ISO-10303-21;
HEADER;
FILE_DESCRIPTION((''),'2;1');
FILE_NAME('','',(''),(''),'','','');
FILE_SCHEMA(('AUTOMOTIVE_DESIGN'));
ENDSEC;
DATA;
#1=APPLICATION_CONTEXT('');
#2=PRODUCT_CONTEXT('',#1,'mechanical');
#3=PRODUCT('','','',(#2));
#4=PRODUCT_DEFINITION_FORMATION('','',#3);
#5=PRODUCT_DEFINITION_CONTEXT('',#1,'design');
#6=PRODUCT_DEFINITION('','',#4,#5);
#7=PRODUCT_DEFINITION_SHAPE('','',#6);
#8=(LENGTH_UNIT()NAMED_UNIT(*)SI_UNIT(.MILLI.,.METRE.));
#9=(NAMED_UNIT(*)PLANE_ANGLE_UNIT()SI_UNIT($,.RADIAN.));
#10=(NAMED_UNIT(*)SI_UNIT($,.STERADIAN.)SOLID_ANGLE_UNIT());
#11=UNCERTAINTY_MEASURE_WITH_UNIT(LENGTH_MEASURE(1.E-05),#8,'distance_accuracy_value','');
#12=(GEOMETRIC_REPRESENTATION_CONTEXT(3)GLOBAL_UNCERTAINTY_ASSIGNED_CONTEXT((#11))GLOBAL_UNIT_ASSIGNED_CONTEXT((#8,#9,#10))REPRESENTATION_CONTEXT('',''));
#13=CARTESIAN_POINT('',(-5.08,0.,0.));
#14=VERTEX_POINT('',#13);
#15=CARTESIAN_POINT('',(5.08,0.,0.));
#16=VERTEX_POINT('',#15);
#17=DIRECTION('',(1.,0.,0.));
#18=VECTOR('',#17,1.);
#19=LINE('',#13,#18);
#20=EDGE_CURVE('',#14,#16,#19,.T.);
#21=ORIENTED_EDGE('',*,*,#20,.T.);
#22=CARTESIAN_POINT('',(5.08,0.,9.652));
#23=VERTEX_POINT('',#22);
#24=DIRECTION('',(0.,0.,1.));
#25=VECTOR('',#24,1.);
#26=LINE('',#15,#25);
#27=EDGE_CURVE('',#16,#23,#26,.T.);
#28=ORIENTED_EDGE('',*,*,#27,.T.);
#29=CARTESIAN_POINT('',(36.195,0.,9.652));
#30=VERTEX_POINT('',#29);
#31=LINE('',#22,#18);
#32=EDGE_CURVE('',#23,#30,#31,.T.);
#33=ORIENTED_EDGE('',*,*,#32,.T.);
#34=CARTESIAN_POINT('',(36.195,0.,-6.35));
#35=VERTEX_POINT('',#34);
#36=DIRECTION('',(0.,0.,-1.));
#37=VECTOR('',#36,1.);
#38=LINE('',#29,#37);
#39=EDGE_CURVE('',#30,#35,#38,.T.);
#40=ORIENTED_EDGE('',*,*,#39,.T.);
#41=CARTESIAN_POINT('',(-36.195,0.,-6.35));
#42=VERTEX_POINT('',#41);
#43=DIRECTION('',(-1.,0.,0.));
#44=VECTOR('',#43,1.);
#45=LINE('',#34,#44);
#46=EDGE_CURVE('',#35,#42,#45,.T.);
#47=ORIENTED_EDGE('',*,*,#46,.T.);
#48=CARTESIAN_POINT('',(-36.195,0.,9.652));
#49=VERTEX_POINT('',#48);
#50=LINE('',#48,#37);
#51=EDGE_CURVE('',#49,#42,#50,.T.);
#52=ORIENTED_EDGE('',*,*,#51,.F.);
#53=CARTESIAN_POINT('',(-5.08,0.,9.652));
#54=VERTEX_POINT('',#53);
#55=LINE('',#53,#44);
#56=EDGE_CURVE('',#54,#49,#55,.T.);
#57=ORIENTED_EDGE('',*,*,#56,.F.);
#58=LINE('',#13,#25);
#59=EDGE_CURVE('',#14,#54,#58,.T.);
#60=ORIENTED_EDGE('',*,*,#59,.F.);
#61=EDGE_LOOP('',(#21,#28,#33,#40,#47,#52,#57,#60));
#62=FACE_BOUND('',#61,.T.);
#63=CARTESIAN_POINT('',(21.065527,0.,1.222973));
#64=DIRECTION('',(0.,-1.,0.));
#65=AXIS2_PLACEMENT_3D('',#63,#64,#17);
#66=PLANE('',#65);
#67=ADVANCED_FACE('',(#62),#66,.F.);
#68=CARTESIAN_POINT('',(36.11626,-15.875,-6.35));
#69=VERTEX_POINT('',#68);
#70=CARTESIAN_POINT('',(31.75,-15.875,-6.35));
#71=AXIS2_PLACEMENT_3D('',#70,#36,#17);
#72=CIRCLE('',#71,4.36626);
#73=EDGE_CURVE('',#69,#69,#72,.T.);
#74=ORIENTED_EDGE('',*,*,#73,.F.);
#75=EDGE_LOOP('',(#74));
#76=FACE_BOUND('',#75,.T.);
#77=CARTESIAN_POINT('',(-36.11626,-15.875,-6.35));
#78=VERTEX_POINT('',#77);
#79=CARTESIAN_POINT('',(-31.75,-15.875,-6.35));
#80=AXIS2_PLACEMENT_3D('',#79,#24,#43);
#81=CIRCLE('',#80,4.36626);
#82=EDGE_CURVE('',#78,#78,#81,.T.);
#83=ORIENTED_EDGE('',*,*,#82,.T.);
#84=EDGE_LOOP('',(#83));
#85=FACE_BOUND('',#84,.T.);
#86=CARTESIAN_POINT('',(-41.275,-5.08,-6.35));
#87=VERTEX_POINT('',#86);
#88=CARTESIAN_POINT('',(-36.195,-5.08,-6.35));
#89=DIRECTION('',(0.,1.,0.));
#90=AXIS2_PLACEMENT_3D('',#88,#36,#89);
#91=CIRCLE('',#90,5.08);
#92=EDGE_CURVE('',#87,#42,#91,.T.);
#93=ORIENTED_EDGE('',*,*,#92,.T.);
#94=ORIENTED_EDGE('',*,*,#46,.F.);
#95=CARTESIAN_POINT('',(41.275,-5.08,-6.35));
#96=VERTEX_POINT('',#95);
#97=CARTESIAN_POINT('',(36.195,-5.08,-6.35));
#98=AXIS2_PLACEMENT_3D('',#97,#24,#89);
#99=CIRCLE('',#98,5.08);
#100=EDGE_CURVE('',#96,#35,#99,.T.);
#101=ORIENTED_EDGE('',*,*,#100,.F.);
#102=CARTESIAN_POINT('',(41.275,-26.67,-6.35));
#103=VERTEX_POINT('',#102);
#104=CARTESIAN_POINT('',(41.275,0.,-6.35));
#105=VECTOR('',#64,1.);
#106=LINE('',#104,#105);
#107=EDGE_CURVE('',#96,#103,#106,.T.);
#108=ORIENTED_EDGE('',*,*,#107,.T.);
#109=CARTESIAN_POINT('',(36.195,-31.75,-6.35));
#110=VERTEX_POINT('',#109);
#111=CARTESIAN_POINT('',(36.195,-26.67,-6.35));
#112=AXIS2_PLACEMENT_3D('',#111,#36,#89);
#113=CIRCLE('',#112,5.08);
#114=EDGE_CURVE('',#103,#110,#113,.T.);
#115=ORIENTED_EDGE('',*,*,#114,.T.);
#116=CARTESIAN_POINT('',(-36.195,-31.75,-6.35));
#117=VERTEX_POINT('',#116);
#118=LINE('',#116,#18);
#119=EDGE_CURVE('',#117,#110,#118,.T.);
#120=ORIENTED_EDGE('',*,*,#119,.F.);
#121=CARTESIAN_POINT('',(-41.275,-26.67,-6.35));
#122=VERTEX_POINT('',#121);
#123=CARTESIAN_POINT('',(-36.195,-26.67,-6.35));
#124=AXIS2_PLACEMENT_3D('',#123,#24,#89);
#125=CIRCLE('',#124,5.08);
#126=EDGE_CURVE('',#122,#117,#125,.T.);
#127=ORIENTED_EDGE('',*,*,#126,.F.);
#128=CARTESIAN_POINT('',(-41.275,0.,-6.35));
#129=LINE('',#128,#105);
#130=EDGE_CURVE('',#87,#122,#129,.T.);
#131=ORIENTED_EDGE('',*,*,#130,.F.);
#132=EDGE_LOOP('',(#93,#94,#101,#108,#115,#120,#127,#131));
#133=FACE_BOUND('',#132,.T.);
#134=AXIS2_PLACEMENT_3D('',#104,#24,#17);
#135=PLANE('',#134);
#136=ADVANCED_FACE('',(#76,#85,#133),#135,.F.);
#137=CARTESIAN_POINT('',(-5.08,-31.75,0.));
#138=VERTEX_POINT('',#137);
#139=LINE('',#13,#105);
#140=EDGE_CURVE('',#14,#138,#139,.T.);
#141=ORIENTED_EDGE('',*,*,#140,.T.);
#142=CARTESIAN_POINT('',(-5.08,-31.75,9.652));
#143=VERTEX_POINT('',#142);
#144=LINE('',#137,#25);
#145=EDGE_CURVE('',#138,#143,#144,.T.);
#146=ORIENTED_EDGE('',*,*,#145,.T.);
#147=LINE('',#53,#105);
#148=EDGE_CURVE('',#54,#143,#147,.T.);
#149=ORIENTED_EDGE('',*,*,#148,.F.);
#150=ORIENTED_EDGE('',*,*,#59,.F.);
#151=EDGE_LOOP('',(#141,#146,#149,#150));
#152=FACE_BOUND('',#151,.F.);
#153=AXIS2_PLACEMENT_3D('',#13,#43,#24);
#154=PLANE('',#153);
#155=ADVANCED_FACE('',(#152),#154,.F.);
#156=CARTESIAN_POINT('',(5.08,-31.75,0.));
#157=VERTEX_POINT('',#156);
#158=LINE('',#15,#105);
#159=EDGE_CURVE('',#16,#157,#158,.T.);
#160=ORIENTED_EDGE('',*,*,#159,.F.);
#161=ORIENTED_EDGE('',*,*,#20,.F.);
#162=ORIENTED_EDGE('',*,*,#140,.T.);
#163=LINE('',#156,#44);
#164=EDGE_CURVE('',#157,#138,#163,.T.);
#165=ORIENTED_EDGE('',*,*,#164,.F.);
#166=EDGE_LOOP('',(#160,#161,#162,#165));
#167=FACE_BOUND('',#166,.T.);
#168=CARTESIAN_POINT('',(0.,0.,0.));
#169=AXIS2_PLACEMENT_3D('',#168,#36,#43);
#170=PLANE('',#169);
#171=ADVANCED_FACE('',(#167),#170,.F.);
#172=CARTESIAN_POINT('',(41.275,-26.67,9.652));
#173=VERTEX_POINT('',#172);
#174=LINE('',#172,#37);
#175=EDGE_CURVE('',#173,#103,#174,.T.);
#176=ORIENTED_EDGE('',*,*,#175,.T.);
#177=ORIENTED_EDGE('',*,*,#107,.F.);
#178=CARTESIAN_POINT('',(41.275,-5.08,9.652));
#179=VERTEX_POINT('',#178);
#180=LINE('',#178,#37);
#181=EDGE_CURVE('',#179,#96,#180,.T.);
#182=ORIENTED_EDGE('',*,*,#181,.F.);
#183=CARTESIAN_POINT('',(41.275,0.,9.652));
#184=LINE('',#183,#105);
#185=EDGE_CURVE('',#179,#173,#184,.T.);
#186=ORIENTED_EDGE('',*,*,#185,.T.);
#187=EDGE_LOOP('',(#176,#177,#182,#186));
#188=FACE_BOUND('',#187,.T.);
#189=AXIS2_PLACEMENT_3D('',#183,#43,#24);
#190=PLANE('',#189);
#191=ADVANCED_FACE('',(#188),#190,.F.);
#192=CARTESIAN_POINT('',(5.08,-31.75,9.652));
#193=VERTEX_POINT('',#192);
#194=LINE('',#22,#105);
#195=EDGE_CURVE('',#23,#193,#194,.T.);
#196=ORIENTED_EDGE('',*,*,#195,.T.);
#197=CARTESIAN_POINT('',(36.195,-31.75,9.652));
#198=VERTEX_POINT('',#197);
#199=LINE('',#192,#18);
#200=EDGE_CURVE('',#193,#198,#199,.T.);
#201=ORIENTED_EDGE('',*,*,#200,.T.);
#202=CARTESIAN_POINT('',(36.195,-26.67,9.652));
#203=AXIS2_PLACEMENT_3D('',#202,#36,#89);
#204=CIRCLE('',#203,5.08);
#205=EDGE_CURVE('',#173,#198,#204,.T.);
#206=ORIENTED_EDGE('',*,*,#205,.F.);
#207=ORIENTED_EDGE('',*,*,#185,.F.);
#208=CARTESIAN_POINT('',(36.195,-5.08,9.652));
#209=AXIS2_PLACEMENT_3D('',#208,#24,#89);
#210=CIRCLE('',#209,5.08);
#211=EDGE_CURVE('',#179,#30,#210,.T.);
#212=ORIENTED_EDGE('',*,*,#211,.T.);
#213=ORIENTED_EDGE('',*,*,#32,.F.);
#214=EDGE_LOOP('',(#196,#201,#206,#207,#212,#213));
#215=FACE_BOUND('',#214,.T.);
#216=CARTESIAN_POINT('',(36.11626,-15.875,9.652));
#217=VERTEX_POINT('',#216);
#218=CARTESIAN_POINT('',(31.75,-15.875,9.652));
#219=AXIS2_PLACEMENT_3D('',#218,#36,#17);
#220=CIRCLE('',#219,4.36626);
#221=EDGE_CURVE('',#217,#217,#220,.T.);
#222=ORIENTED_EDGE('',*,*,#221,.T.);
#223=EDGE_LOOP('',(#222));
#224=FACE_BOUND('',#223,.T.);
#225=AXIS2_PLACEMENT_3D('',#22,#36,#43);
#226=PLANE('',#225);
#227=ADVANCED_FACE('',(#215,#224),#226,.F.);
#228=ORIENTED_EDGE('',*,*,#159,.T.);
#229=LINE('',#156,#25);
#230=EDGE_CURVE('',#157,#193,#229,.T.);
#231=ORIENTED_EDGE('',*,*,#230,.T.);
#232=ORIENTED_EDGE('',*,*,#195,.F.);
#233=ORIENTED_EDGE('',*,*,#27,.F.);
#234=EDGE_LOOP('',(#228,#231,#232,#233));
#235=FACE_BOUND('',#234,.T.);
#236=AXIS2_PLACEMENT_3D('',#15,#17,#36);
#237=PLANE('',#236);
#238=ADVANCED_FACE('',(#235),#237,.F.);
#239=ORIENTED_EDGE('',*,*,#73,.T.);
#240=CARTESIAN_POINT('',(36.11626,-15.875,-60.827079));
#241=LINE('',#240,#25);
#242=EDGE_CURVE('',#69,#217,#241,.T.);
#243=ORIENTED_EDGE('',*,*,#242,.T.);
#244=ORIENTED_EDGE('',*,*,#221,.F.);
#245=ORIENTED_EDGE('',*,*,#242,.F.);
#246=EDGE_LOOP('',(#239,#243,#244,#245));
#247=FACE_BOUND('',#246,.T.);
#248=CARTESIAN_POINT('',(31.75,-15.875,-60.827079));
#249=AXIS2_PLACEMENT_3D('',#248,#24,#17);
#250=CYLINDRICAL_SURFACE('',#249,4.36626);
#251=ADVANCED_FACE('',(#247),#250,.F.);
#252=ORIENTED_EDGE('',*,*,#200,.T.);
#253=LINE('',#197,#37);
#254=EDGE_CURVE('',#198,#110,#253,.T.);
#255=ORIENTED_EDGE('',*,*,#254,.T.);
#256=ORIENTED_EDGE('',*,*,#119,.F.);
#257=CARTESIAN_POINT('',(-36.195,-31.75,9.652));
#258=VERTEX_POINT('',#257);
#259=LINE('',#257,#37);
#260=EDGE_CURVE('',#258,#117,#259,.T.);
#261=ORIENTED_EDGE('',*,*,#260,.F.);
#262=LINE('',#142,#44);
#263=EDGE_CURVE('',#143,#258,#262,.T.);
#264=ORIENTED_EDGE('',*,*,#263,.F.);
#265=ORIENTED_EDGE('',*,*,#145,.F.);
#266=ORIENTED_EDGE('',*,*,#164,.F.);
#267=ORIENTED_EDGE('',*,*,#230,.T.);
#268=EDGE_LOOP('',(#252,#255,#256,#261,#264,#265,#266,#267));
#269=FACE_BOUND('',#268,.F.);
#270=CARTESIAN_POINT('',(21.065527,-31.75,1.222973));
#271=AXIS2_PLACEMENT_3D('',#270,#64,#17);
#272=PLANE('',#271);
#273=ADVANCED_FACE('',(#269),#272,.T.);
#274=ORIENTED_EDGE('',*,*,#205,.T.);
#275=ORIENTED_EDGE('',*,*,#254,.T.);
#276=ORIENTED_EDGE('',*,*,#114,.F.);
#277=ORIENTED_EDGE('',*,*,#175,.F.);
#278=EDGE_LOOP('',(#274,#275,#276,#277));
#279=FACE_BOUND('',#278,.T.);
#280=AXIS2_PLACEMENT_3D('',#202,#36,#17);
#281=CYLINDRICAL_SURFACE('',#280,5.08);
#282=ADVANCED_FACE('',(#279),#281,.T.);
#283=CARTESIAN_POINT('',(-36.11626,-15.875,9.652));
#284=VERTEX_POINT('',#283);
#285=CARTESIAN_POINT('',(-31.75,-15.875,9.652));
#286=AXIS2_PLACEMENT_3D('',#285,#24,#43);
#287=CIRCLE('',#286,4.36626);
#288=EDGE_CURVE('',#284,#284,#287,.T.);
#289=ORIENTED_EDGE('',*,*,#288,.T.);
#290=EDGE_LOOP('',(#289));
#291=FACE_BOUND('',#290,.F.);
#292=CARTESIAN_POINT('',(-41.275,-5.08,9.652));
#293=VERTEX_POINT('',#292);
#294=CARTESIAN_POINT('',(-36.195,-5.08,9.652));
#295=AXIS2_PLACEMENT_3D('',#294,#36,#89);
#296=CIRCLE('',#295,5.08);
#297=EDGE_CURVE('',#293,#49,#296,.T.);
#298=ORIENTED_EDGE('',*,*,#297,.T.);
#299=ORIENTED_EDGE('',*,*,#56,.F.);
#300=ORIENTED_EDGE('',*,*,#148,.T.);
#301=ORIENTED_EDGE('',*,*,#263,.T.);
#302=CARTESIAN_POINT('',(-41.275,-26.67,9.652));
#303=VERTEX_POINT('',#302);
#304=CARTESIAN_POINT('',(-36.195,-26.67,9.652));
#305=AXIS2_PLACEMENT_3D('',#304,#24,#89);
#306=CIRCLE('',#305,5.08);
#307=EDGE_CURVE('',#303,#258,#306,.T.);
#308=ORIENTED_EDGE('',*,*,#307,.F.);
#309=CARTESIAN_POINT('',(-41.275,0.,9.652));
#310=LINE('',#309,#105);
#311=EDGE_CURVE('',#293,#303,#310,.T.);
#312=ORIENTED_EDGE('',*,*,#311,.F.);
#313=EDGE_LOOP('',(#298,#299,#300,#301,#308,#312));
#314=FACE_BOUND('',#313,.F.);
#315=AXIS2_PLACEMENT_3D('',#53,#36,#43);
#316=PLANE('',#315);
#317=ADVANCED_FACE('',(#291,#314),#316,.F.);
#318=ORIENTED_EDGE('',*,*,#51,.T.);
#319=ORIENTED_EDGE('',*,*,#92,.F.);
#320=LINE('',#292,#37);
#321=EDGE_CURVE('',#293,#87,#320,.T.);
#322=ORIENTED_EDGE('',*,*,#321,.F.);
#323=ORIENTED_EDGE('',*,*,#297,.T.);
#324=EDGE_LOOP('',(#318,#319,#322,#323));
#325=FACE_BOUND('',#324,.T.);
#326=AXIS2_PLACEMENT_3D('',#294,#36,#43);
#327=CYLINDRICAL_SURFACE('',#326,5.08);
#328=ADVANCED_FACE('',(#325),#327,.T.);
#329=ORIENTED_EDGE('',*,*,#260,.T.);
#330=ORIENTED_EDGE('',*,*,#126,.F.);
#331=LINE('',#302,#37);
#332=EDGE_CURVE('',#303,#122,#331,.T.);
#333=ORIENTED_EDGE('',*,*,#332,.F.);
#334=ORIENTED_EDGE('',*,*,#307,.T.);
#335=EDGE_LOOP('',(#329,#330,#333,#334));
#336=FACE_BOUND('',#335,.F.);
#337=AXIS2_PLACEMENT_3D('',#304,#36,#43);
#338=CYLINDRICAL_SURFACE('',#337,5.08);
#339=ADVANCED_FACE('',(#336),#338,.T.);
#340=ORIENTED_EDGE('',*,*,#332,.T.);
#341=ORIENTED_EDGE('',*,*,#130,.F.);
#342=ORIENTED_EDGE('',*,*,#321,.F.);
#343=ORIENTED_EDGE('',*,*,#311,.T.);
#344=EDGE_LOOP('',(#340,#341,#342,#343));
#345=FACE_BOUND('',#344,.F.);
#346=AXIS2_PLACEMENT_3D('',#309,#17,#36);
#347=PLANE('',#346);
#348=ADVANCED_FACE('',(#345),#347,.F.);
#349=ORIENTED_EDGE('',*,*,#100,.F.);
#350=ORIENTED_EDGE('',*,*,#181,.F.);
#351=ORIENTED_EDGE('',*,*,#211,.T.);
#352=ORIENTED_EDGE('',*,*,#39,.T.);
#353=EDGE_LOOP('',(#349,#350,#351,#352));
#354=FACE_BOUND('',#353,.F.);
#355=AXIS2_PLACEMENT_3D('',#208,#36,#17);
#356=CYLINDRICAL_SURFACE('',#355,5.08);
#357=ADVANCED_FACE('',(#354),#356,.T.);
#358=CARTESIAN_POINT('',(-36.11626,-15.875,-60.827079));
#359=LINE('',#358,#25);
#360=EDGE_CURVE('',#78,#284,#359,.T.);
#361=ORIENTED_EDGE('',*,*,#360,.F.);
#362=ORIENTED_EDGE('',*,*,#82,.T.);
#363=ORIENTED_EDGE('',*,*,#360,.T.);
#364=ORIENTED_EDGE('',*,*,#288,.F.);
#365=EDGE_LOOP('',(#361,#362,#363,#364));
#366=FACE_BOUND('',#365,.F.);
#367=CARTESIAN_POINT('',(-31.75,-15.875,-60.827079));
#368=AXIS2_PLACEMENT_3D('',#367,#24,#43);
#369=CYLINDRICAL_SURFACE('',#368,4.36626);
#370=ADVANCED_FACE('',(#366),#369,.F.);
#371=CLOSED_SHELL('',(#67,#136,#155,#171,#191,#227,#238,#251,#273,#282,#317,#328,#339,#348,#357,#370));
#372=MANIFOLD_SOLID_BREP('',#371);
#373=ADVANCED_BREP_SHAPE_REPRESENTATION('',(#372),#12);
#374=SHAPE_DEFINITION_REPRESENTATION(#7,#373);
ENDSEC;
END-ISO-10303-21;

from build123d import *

# Parameters (mm, degrees)
F1_DEPTH = 31.75
F2_R     = 5.08
F4_D     = 8.73252


with BuildPart() as f1:
    # F0 (on Front) → F1 (new body)
    with BuildSketch(Plane.XZ):
        Polygon((0, -6.35), (0, 0), (-5.08, 0), (-5.08, 9.652), (-41.275, 9.652), (-41.275, 0), (-41.275, -6.35), align=None)
    extrude(amount=F1_DEPTH)

    # F2
    f2_edges = [f1.edges().sort_by_distance(p)[0] for p in [
        (-41.275, -31.75, 1.651),
        (-41.275, 0, 1.651),
    ]]
    fillet(f2_edges, radius=F2_R)

    # F4 (through all)
    with Locations(Plane(origin=(0, 0, -6.35), x_dir=(1, 0, 0), z_dir=(0, 0, -1))):
        with Locations((-31.75, 15.875)):
            Hole(F4_D / 2)

    # F5: F1 across plane


with BuildPart() as f1_1:
    add(f1.part)
    add(f1.part.mirror(Plane.YZ))


solid = f1_1.part
